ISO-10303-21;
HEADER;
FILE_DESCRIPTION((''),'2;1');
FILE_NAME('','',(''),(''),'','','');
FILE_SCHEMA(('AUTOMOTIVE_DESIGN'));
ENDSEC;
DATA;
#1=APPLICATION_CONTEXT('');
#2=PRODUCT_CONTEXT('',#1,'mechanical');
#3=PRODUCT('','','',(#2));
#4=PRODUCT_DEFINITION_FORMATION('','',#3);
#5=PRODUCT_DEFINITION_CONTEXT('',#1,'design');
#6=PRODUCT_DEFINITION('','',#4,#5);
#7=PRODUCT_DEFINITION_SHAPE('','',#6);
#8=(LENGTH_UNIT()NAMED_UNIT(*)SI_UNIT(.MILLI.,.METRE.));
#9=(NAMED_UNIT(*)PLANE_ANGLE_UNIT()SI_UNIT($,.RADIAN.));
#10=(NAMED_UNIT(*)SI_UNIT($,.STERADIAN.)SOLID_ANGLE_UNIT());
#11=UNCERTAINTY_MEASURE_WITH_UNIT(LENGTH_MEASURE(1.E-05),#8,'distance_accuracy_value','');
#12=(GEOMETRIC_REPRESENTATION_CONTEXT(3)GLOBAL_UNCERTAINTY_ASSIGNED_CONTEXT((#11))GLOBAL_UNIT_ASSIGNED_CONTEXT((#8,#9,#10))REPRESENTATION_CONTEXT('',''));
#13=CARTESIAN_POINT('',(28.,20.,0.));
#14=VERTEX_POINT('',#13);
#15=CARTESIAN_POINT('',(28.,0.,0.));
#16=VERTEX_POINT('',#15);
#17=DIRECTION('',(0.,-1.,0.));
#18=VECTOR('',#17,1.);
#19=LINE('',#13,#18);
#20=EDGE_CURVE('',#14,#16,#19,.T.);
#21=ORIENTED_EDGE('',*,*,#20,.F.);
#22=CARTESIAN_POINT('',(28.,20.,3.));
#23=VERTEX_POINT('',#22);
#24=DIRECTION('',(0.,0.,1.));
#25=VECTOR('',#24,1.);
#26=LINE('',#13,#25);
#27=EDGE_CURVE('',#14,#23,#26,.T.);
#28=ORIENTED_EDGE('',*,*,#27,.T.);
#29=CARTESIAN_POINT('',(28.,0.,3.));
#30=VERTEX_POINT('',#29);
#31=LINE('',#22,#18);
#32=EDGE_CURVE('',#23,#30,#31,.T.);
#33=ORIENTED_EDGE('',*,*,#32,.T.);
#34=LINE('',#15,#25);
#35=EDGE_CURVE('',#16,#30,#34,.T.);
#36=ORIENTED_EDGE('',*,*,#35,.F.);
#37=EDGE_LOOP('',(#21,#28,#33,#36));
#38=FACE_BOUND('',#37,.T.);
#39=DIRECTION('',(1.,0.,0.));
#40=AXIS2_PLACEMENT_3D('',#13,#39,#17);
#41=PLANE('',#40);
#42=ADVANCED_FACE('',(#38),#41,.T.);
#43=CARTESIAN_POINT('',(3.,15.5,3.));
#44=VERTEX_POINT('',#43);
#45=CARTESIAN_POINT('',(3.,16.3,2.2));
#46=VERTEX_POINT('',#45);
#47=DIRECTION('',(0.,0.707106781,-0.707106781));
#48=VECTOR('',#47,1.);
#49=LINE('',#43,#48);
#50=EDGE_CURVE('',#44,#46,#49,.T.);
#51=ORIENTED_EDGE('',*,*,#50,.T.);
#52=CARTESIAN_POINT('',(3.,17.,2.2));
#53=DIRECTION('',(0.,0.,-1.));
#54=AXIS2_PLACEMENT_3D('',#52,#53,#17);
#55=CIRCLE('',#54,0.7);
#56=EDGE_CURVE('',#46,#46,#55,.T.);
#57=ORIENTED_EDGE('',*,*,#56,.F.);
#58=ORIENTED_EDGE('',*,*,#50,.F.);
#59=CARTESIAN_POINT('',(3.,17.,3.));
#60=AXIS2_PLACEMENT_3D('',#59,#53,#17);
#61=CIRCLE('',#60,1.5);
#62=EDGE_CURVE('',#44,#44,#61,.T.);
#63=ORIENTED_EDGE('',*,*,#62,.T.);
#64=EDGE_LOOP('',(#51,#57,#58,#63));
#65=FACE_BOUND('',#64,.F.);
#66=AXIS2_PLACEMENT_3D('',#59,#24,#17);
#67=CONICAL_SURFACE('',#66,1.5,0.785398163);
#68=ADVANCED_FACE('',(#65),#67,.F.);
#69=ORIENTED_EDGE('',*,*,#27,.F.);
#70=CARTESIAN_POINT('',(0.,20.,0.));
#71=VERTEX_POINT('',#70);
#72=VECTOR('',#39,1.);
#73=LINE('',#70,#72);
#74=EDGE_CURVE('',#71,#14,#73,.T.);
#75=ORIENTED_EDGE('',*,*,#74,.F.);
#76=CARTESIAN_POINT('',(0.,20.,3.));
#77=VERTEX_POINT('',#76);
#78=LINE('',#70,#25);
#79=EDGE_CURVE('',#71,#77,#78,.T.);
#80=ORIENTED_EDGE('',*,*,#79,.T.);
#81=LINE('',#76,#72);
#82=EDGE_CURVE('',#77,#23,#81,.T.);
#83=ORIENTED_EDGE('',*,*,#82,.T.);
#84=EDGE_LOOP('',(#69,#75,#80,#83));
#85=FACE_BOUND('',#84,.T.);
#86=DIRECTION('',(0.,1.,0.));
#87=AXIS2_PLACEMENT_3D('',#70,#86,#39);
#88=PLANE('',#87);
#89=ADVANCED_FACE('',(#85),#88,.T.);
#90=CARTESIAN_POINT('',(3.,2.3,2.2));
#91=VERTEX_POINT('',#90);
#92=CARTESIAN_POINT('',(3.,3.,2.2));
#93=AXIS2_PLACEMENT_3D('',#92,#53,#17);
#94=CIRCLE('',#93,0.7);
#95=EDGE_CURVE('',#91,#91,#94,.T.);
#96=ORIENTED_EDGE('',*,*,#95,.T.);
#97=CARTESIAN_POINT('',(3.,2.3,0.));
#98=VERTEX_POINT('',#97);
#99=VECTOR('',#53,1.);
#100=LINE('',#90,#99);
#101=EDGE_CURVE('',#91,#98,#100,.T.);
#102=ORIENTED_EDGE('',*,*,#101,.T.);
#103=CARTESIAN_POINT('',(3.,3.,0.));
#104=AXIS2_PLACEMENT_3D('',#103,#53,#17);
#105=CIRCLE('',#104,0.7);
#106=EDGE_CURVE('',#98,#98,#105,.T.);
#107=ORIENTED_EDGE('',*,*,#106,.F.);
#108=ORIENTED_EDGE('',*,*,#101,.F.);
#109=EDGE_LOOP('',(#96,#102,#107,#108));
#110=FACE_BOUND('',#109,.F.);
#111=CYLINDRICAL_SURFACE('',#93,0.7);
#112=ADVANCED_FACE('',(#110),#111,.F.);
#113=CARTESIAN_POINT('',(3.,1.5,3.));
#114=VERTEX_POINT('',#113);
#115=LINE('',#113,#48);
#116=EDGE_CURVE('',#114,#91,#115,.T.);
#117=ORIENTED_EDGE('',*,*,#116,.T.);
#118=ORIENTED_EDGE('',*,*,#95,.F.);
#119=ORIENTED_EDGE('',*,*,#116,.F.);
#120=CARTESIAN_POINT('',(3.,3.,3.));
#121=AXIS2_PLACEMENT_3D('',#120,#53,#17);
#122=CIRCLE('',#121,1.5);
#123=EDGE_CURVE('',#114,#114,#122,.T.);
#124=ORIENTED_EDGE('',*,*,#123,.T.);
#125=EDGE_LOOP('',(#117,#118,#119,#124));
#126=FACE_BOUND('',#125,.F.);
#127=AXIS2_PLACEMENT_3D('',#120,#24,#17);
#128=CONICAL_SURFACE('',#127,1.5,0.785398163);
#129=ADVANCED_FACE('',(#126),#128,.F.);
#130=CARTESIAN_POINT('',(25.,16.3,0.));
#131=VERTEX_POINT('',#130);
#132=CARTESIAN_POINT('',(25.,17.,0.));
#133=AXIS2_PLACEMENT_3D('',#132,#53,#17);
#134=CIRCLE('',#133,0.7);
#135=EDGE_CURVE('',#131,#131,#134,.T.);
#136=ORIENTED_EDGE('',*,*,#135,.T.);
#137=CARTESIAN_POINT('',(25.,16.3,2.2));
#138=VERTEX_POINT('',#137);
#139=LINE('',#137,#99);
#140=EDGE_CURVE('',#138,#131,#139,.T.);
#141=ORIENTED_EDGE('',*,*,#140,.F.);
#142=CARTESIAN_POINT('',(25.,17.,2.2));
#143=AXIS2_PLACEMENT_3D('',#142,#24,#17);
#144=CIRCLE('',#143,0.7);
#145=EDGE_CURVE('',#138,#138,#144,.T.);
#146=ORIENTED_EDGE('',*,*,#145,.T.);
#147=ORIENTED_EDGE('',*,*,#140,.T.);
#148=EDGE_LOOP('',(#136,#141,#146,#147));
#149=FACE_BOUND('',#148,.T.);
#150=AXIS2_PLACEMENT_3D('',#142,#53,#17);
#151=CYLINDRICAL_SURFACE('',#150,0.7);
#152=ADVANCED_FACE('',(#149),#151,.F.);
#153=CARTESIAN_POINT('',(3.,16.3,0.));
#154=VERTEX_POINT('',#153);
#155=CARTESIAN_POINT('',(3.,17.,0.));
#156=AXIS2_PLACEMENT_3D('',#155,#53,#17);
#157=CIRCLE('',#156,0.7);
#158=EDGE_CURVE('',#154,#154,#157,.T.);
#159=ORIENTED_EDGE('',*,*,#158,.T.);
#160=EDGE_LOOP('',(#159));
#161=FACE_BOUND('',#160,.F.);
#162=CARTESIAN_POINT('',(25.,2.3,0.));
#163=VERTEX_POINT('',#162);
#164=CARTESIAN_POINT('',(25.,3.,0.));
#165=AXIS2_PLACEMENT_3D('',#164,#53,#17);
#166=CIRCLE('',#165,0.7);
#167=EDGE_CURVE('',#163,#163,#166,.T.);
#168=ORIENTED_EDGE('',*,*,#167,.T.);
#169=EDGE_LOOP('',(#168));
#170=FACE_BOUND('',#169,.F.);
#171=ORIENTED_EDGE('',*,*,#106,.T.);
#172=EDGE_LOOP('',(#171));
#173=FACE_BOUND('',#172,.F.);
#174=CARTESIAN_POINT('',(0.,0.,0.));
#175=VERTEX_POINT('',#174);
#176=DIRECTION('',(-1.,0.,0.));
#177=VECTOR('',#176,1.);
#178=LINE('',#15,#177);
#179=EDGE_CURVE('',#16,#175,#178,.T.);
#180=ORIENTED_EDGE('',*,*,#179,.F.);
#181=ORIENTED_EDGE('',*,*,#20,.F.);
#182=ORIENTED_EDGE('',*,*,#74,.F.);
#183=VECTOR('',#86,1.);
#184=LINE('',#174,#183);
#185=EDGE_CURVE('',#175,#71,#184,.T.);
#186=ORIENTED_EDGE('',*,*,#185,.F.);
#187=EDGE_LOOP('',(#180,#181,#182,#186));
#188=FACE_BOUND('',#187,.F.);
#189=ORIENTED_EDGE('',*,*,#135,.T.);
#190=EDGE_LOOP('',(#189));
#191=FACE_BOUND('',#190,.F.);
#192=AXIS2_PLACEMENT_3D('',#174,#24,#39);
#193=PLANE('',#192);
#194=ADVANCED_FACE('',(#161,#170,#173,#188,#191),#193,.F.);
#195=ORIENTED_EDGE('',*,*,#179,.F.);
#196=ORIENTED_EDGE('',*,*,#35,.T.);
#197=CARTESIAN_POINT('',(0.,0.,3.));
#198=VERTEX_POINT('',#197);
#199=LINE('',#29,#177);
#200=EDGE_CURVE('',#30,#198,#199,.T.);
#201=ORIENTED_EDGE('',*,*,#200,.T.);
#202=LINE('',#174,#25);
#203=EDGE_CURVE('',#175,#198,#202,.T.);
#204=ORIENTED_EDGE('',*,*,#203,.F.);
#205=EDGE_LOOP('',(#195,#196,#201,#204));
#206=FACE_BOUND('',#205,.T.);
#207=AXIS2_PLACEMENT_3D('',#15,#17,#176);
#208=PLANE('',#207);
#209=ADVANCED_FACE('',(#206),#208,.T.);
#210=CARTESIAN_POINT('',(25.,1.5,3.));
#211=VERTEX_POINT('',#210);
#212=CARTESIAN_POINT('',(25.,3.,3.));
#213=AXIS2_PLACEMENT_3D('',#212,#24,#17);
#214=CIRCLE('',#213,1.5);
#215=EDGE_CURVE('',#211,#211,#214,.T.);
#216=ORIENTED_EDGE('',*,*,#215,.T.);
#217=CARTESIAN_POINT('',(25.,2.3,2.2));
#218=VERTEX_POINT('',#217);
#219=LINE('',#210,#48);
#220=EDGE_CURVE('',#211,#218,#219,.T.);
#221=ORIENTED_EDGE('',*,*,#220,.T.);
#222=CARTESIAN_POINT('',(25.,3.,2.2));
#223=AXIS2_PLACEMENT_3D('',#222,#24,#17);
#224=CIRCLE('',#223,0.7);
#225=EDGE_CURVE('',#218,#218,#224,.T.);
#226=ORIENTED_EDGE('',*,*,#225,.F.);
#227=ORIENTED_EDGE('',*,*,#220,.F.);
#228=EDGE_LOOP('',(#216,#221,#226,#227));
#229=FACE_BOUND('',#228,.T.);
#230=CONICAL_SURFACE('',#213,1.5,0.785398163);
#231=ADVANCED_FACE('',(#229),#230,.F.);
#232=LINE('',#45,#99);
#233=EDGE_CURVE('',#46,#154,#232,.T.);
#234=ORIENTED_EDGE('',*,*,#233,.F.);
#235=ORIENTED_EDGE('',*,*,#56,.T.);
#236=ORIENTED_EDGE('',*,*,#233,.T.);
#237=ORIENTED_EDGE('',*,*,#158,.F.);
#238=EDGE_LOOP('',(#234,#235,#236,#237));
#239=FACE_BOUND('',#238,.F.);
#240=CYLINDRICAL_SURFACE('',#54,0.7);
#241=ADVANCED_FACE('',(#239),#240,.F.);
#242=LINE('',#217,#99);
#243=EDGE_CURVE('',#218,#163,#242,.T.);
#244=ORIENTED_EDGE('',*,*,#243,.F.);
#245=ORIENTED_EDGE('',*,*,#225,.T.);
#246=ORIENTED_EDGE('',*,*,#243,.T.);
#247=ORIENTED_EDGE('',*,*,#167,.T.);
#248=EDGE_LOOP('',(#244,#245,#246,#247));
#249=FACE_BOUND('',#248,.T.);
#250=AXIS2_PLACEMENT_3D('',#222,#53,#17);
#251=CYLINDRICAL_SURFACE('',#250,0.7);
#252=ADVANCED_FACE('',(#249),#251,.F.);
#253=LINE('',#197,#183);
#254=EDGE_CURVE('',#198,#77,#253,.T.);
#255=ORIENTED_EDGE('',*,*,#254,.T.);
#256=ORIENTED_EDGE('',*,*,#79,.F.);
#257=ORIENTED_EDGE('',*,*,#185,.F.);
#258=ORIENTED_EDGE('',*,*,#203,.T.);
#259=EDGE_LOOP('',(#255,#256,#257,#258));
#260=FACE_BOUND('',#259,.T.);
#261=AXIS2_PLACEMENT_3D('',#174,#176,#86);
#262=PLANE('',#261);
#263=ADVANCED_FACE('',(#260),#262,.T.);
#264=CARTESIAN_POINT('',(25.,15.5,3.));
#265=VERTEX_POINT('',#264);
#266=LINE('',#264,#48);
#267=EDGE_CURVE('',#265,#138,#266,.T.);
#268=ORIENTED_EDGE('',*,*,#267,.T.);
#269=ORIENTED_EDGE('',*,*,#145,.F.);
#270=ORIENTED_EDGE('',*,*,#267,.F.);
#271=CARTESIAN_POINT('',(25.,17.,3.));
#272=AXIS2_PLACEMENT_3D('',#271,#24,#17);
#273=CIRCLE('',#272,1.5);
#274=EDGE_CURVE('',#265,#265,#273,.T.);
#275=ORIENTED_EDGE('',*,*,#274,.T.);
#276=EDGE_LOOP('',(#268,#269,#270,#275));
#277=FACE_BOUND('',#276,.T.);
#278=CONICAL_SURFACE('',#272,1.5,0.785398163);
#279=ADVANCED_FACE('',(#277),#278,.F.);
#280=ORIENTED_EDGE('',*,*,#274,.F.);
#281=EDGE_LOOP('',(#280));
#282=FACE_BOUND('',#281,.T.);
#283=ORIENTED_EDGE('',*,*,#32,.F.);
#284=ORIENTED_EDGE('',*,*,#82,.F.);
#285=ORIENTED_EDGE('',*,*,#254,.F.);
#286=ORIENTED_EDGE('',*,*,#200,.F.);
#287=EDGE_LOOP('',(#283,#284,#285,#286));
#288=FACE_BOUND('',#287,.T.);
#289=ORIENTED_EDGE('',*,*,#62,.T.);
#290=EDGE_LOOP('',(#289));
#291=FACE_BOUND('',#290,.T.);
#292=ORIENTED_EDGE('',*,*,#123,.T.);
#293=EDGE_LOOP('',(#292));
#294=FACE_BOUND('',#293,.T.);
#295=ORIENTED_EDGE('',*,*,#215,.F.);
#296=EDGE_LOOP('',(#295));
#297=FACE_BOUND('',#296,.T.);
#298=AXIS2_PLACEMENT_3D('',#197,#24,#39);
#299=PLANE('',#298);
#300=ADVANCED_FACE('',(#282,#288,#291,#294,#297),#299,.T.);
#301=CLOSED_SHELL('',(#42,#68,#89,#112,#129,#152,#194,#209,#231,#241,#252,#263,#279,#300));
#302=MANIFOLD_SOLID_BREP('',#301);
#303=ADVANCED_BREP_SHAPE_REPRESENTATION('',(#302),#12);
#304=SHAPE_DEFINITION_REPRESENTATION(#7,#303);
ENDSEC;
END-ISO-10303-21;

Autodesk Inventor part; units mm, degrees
ref_plane "XZ Plane" through (0, 0, 0) normal (0, 1, 0) x (-1, 0, 0)
ref_plane "XY Plane" through (0, 0, 0) normal (0, 0, 1) x (1, 0, 0)
sketch "Skizze1" plane through (0, 0, 0) normal (0, 0, 1) x (1, 0, 0)
  line L0 (0, 20) -> (28, 20)
  line L1 (28, 20) -> (28, 0)
  line L2 (28, 0) -> (0, 0)
  line L3 (0, 0) -> (0, 20)
  dimension "d0" = 28
  dimension "d1" = 20
extrude "Extrusion1" add sketch "Skizze1" along normal blind 3
sketch "Skizze2" plane through (0, 0, 3) normal (0, 0, 1) x (1, 0, 0)
  line L0 (0, 20) -> (0, 0) projected
  line L1 (0, 10) -> (28.5763, 10) construction
  point P0 (3, 17)
  point P1 (3, 3)
  dimension "d4" = 14
  dimension "d5" = 3
hole "Bohrung1" at (3, 17, 3) at (3, 3, 3) direction (0, 0, -1) diameter 1.4 end through all countersink diameter 3 countersink angle 90
ref_plane "Arbeitsebene1" through (14, 0, 0) normal (1, 0, 0) x (0, 1, 0)
mirror "Spiegeln1" about plane through (14, 0, 0) normal (1, 0, 0) of "Bohrung1"
ref_plane "Arbeitsebene2" through (14, 0, 0) normal (1, 0, 0) x (0, 1, 0)
properties part number "Zylinderkopf" material "Stahl, galvanisiert"
